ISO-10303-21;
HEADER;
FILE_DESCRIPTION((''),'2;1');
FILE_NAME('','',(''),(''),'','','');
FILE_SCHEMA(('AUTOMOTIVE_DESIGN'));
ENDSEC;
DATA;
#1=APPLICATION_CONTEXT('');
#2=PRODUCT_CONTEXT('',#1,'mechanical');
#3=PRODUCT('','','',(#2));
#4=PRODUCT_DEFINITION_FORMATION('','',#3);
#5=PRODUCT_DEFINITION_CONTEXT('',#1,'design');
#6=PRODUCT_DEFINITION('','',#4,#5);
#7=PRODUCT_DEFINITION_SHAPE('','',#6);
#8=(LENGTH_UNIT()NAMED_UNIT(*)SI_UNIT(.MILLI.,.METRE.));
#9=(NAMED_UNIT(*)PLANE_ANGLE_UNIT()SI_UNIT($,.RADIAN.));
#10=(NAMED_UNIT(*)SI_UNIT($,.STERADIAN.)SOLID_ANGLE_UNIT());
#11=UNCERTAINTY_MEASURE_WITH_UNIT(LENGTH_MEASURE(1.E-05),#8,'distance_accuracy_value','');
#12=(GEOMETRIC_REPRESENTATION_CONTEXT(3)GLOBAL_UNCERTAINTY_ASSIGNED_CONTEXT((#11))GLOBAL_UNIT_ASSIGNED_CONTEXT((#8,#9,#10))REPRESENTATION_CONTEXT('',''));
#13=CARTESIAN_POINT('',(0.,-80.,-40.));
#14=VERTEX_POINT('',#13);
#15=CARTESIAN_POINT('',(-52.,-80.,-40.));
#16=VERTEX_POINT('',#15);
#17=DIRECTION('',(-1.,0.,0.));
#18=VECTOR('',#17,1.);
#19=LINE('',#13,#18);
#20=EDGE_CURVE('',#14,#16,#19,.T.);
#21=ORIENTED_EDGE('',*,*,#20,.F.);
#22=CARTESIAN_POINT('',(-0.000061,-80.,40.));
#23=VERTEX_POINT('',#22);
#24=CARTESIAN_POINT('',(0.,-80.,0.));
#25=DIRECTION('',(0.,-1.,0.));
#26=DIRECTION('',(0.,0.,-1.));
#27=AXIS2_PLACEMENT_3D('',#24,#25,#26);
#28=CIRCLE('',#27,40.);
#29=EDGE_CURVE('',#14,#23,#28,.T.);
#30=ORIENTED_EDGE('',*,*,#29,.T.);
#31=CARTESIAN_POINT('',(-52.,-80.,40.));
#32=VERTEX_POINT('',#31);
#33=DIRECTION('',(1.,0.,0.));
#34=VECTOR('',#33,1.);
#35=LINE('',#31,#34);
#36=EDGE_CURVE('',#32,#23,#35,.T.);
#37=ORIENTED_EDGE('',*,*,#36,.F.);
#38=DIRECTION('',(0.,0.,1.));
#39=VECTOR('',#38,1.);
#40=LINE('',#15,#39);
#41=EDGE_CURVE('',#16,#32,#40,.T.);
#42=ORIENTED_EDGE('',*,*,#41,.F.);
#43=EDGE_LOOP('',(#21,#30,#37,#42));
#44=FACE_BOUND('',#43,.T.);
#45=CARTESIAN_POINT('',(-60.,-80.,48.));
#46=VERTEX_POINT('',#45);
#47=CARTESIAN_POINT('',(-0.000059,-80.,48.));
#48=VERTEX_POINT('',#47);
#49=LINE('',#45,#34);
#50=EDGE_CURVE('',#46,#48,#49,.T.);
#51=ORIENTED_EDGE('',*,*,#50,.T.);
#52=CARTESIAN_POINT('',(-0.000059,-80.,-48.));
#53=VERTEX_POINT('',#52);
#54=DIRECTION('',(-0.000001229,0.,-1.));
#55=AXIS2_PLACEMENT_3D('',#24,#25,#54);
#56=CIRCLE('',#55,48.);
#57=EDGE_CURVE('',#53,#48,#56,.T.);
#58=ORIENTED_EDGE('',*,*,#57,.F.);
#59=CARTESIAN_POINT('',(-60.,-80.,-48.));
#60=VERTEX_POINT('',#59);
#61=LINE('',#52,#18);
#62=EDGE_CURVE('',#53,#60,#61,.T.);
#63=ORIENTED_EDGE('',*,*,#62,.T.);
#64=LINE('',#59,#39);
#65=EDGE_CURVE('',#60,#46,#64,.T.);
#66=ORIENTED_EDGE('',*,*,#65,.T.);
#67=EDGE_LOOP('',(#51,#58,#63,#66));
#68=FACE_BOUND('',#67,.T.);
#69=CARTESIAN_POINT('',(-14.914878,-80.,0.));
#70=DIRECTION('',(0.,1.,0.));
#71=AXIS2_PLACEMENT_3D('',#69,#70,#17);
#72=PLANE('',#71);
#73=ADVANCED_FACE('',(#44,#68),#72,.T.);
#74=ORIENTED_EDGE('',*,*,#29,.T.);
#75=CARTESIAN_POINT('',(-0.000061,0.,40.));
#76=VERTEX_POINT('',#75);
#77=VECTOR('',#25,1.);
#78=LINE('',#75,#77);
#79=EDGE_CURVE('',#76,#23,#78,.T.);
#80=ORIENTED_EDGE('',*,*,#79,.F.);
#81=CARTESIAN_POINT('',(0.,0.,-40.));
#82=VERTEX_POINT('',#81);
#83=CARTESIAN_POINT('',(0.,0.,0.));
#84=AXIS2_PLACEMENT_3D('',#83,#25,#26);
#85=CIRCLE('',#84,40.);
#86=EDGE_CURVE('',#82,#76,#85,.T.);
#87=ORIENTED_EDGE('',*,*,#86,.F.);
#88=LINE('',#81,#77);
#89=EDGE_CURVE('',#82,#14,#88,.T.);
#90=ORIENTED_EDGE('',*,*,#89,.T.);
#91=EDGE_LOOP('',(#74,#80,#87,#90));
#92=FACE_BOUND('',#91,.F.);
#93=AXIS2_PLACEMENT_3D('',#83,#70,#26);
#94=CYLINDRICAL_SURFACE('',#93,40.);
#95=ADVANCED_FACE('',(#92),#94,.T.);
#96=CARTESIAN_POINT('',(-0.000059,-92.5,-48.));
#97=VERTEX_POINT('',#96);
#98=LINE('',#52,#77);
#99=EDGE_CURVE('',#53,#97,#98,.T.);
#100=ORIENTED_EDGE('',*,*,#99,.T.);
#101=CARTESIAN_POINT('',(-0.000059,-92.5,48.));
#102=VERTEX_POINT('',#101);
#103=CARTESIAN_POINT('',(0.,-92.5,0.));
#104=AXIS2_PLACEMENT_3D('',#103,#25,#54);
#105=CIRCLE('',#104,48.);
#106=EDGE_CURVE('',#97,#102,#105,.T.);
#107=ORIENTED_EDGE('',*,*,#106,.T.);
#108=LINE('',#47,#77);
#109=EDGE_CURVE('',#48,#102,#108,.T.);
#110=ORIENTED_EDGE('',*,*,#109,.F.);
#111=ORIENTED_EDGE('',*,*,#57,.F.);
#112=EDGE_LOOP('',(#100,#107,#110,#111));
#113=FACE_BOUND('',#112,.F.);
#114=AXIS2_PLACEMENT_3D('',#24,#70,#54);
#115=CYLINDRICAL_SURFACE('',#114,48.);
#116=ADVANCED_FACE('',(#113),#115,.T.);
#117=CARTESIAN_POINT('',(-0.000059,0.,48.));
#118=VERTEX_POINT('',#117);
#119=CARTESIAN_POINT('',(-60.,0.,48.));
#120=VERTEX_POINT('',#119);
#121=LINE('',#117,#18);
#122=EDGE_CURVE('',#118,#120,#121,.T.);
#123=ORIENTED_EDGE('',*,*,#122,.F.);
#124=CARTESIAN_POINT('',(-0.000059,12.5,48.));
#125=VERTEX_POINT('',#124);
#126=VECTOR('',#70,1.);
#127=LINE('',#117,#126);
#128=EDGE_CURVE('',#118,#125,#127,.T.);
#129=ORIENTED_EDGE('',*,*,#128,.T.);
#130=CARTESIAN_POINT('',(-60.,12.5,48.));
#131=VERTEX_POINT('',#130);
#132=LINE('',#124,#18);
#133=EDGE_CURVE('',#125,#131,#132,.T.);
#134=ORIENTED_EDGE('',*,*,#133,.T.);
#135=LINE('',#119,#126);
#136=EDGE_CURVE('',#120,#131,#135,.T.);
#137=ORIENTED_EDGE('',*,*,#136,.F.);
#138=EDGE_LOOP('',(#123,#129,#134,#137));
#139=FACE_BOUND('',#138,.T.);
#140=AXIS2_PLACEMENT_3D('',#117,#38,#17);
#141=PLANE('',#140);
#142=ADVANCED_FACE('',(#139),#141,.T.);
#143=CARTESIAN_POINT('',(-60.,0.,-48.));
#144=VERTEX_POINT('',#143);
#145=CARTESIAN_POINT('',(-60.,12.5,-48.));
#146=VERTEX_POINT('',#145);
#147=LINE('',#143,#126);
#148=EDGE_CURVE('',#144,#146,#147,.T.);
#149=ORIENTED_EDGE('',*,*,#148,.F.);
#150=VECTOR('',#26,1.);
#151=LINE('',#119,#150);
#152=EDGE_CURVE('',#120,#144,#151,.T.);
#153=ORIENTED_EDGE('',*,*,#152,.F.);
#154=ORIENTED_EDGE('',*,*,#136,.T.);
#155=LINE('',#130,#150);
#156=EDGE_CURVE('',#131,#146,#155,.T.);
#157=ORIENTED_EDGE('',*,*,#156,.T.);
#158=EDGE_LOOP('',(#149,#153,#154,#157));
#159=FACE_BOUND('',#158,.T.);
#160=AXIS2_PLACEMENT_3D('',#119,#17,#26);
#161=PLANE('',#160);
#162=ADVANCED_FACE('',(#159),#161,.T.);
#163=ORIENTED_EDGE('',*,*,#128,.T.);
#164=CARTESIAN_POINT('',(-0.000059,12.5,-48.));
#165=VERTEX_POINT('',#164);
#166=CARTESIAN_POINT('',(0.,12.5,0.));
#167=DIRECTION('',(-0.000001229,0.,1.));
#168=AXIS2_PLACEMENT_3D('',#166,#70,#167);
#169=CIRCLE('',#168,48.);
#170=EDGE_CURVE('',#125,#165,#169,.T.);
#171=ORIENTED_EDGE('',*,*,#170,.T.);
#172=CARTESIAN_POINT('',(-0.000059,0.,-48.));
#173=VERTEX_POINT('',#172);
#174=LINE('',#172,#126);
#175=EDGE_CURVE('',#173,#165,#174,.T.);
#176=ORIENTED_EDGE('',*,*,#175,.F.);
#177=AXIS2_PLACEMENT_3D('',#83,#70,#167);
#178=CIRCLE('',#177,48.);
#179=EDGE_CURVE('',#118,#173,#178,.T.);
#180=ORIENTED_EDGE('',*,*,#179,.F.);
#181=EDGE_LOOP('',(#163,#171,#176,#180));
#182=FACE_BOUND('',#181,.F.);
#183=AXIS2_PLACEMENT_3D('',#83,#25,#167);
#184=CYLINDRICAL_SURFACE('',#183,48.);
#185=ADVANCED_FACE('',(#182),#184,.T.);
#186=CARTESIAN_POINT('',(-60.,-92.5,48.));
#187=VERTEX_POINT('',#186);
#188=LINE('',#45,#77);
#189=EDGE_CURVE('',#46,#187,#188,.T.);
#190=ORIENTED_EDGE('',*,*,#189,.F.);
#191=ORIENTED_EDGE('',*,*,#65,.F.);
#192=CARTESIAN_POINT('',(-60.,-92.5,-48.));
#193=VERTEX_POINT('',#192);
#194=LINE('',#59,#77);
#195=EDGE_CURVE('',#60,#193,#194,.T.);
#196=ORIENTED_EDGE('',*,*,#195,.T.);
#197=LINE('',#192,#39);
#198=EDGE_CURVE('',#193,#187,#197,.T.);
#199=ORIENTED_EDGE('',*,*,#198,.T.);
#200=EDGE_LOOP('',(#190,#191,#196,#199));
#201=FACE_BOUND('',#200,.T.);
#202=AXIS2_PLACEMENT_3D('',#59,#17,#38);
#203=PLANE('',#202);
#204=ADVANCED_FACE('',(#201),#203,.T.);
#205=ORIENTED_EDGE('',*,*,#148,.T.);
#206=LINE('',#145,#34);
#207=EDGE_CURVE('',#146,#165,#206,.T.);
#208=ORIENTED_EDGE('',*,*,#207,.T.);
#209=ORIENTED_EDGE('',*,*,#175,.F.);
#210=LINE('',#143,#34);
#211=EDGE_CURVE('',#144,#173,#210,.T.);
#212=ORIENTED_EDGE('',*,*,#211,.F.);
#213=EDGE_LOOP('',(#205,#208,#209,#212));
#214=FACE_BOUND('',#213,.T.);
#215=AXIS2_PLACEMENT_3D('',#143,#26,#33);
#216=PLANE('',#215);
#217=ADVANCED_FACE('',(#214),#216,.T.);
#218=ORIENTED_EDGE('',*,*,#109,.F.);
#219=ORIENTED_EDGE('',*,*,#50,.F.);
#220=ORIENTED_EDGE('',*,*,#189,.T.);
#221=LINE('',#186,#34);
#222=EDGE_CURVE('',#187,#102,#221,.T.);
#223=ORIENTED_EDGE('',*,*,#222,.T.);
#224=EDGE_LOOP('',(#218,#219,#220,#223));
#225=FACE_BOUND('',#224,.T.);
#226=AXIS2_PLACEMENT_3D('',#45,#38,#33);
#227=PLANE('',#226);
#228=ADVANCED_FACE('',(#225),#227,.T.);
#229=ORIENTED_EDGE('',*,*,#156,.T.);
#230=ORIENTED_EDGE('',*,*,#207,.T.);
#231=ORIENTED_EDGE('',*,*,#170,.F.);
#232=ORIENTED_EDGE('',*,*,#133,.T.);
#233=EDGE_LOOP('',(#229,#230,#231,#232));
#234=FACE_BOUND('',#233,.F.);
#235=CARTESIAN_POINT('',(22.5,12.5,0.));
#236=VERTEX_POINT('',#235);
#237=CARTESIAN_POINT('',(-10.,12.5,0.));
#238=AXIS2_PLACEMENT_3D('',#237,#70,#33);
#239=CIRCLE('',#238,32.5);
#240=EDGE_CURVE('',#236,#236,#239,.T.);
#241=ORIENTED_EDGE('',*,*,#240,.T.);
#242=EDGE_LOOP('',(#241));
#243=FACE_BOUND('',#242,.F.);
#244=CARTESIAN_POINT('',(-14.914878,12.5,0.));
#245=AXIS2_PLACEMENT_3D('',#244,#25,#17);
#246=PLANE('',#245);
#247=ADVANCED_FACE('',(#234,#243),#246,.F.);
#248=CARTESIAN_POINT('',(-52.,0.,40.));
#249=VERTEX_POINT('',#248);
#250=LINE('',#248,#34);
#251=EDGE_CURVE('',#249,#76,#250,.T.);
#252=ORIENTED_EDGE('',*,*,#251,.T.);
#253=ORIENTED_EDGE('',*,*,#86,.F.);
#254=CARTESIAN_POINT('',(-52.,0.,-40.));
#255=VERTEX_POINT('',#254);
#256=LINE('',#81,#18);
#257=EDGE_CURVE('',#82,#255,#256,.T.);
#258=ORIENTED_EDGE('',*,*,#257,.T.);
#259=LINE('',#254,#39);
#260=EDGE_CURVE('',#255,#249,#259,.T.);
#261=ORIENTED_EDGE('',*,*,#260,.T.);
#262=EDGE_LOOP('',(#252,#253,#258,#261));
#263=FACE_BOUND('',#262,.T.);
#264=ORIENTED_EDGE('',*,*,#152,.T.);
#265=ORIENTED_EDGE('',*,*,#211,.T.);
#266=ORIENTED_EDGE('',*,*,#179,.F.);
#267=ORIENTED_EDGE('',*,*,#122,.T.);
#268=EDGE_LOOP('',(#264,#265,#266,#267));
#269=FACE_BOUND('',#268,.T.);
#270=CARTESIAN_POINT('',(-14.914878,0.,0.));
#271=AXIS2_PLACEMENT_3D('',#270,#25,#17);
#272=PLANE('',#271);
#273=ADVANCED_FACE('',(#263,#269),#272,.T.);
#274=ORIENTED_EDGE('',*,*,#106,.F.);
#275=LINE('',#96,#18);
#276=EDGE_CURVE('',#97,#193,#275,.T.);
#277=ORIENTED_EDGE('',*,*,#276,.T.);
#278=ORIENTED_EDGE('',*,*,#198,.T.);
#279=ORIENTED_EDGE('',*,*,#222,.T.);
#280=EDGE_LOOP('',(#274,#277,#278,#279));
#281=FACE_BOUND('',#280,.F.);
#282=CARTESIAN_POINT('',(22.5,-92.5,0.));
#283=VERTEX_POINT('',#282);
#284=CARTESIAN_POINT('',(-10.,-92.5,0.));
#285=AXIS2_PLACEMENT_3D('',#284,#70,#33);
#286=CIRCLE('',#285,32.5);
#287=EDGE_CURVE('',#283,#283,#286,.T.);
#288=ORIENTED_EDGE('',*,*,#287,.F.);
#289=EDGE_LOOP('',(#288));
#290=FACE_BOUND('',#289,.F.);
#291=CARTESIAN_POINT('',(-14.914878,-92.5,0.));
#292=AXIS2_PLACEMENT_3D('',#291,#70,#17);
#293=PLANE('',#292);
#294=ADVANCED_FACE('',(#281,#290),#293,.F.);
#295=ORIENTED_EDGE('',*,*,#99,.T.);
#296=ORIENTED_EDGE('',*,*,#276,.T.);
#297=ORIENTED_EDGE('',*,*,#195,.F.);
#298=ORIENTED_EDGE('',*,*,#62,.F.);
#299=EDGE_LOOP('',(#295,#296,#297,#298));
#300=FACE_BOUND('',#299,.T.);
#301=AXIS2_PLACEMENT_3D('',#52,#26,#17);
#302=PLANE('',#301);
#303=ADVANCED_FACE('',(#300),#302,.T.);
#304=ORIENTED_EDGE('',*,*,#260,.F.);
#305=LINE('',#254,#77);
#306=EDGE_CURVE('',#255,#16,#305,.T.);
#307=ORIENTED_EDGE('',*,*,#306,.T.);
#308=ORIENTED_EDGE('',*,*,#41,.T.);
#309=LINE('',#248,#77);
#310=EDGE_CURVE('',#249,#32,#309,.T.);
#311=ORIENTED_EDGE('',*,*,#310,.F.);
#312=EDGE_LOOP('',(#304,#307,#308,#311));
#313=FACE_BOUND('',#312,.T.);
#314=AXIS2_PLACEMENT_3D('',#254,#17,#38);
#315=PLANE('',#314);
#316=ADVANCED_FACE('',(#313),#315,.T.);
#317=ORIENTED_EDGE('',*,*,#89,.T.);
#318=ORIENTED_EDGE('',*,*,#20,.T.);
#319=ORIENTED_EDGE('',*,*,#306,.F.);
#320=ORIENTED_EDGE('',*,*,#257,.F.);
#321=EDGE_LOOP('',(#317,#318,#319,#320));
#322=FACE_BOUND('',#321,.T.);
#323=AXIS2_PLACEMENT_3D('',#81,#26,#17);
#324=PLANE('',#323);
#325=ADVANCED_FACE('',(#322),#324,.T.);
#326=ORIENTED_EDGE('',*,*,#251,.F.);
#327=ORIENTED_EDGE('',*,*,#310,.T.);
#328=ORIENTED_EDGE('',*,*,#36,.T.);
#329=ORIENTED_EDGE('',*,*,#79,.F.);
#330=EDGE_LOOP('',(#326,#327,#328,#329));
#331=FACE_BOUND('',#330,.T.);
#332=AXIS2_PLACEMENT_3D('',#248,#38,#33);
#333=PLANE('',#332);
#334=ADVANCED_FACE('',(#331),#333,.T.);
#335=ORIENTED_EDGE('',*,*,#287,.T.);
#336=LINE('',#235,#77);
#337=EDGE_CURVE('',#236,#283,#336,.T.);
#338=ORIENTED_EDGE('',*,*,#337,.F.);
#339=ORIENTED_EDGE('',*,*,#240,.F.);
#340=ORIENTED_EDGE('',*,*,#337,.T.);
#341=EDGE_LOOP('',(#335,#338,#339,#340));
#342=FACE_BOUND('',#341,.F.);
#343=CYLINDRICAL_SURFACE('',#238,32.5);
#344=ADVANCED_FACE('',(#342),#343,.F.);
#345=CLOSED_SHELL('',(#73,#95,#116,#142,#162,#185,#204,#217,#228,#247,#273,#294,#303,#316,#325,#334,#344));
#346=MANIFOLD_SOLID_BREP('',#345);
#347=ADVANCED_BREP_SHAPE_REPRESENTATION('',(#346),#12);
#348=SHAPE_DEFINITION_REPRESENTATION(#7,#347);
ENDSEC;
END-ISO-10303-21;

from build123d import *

# Parameters (mm, degrees)
PAD_DEPTH    = 80
PAD001_DEPTH = 12.5
PAD002_DEPTH = 12.5
SKETCH003_R  = 32.5
POCKET_DEPTH = 105.001


with BuildPart() as part:
    # Sketch → Pad (new body)
    with BuildSketch(Plane.XZ):
        with BuildLine():
            ThreePointArc((0, -40), (40, 3e-05), (-6.1e-05, 40))
            Line((-52, 40), (-6.1e-05, 40))
            Line((-52, -40), (-52, 40))
            Line((0, -40), (-52, -40))
        make_face()
    extrude(amount=PAD_DEPTH)

    # Sketch001 → Pad001 (new body)
    with BuildSketch(Plane.XZ.offset(80)):
        with BuildLine():
            Line((-60, 48), (-5.9e-05, 48))
            ThreePointArc((-5.9e-05, -48), (48, 0), (-5.9e-05, 48))
            Line((-5.9e-05, -48), (-60, -48))
            Line((-60, -48), (-60, 48))
        make_face()
    extrude(amount=PAD001_DEPTH)

    # Sketch002 → Pad002 (new body)
    with BuildSketch(Plane(origin=(0, 0, 0), x_dir=(1, 0, 0), z_dir=(0, 1, 0))):
        with BuildLine():
            Line((-60, 48), (-5.9e-05, 48))
            ThreePointArc((-5.9e-05, -48), (48, 0), (-5.9e-05, 48))
            Line((-5.9e-05, -48), (-60, -48))
            Line((-60, -48), (-60, 48))
        make_face()
    extrude(amount=PAD002_DEPTH)

    # Sketch003 → Pocket (cut, through all)
    with BuildSketch(Plane(origin=(0, 12.5, 0), x_dir=(1, 0, 0), z_dir=(0, 1, 0))):
        with Locations((-10, 0)):
            Circle(SKETCH003_R)
    extrude(amount=-POCKET_DEPTH, mode=Mode.SUBTRACT)


solid = part.part
